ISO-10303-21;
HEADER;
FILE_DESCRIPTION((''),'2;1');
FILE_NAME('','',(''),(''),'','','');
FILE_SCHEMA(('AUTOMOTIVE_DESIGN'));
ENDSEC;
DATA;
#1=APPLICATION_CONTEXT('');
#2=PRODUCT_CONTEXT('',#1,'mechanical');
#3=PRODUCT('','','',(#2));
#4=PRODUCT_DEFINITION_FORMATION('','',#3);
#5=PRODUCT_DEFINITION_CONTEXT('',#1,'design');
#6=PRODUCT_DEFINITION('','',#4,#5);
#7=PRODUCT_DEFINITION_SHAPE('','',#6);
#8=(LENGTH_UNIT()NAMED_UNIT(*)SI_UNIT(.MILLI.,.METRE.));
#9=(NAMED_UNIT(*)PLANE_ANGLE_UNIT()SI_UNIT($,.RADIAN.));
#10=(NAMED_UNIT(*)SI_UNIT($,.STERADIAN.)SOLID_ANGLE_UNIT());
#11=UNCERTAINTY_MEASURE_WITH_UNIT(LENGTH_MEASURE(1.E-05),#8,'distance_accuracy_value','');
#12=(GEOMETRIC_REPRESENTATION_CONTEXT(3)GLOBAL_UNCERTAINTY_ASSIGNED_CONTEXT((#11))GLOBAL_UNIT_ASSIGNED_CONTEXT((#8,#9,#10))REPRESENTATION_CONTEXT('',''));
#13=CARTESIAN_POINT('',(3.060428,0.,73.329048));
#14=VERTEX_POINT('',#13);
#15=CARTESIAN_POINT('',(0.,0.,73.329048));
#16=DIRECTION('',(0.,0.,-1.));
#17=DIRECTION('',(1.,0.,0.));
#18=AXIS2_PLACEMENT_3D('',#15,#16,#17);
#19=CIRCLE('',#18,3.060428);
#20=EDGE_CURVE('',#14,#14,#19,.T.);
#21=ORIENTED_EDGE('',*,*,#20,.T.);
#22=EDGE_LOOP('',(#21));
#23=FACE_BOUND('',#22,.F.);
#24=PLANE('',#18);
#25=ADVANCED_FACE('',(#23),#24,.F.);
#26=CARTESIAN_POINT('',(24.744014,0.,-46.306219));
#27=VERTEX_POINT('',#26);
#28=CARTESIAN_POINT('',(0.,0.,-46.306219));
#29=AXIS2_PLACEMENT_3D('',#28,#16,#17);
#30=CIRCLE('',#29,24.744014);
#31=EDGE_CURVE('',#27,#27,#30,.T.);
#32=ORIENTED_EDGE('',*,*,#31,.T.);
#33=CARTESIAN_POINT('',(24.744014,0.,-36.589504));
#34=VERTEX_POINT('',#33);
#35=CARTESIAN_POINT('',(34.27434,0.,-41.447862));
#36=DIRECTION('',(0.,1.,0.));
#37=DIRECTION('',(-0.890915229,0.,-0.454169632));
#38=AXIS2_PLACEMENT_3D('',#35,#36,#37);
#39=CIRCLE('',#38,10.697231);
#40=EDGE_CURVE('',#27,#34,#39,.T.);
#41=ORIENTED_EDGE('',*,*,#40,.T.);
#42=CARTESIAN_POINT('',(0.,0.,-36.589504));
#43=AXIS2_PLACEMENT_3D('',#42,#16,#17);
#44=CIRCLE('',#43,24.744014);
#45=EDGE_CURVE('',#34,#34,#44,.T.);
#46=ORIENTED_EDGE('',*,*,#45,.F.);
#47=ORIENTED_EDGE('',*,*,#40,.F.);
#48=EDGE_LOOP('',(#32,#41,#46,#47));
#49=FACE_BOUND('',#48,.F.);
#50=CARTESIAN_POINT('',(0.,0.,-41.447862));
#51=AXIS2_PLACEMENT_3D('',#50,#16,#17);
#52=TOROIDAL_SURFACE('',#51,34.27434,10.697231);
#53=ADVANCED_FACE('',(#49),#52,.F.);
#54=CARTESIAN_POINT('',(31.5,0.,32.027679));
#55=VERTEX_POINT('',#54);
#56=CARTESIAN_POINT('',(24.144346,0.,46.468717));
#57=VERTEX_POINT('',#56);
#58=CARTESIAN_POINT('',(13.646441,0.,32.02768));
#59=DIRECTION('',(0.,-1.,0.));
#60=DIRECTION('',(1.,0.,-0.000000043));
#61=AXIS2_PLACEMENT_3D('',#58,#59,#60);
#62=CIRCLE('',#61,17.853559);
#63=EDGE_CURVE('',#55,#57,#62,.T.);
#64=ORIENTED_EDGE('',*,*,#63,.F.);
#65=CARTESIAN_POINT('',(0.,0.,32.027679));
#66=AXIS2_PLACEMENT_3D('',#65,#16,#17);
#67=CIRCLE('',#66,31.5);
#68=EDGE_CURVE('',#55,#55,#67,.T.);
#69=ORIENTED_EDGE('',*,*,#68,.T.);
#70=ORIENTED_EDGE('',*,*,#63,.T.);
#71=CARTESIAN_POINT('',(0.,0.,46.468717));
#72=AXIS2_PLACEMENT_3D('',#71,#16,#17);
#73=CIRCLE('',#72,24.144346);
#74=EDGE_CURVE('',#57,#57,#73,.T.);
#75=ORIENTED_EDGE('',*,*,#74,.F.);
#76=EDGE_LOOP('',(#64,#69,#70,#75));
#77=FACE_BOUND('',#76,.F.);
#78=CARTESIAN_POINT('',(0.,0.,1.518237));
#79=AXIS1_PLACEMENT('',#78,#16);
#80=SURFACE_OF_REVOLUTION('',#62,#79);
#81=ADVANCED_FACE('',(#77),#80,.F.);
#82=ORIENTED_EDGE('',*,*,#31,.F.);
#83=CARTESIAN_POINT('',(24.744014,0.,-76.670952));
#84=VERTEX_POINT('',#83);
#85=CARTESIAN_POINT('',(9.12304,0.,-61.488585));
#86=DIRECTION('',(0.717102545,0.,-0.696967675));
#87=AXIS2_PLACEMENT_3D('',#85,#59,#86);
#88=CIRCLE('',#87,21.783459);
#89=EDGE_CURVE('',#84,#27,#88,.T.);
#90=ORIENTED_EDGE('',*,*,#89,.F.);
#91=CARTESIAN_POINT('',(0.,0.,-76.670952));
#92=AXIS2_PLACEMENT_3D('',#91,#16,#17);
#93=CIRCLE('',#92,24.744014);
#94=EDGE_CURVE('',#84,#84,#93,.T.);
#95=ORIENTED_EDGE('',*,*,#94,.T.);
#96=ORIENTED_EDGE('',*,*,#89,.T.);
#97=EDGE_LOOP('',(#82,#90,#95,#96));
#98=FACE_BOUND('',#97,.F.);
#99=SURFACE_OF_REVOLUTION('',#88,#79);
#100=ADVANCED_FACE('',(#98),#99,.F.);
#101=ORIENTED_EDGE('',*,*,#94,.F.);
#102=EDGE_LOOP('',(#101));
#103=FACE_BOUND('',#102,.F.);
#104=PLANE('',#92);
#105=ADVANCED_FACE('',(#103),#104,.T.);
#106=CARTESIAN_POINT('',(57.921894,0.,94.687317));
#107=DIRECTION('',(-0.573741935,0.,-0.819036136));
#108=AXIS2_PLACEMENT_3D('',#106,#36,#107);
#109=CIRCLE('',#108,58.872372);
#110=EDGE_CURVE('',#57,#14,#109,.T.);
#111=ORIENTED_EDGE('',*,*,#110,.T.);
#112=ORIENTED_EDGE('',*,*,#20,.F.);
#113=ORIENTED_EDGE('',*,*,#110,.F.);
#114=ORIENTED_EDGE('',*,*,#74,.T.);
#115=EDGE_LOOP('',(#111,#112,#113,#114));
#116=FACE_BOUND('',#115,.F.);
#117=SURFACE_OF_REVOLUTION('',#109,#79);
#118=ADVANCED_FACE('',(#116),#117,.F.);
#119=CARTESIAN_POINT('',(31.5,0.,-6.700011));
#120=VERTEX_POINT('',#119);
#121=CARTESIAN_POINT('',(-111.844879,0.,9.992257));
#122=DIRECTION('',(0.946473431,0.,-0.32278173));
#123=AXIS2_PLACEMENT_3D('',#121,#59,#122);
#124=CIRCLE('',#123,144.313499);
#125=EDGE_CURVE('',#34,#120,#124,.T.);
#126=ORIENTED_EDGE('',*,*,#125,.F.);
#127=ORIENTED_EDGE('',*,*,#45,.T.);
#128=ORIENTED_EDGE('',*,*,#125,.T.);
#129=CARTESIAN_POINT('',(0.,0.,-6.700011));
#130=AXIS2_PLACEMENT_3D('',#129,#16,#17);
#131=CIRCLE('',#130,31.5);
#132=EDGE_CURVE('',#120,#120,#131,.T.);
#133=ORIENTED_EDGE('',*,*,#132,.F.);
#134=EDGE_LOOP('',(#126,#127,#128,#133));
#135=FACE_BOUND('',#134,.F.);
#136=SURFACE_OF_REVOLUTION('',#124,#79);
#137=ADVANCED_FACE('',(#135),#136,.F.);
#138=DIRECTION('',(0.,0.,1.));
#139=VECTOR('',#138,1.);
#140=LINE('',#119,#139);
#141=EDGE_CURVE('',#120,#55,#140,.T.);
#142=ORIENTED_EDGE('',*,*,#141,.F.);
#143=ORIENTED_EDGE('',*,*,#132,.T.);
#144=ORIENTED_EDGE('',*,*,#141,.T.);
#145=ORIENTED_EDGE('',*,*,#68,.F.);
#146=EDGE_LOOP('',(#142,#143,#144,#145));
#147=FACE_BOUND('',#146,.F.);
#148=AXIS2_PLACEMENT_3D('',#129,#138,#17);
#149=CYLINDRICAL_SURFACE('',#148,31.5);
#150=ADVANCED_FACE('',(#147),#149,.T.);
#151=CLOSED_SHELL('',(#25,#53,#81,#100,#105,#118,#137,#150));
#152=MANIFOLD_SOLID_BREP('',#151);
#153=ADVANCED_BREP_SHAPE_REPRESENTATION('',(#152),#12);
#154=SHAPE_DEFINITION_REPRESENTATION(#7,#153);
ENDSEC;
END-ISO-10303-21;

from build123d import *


with BuildPart() as f1:
    # F0 (on Front) → F1 (revolve)
    with BuildSketch(Plane.XZ):
        with BuildLine():
            Line((3.060428, 73.329048), (0, 73.329048))
            Line((0, 73.329048), (0, -76.670952))
            Line((0, -76.670952), (24.744014, -76.670952))
            ThreePointArc((24.744014, -76.670952), (30.906499, -61.488585), (24.744014, -46.306219))
            ThreePointArc((24.744014, -46.306219), (23.577109, -41.447862), (24.744014, -36.589504))
            ThreePointArc((24.744014, -36.589504), (28.917597, -21.824586), (31.5, -6.700011))
            Line((31.5, -6.700011), (31.5, 32.027679))
            ThreePointArc((31.5, 32.027679), (29.555158, 40.130907), (24.144346, 46.468717))
            ThreePointArc((24.144346, 46.468717), (11.612197, 58.33669), (3.060428, 73.329048))
        make_face()
    revolve(axis=Axis((0, 0, 1.518237), (0, 0, -1)))


solid = f1.part
